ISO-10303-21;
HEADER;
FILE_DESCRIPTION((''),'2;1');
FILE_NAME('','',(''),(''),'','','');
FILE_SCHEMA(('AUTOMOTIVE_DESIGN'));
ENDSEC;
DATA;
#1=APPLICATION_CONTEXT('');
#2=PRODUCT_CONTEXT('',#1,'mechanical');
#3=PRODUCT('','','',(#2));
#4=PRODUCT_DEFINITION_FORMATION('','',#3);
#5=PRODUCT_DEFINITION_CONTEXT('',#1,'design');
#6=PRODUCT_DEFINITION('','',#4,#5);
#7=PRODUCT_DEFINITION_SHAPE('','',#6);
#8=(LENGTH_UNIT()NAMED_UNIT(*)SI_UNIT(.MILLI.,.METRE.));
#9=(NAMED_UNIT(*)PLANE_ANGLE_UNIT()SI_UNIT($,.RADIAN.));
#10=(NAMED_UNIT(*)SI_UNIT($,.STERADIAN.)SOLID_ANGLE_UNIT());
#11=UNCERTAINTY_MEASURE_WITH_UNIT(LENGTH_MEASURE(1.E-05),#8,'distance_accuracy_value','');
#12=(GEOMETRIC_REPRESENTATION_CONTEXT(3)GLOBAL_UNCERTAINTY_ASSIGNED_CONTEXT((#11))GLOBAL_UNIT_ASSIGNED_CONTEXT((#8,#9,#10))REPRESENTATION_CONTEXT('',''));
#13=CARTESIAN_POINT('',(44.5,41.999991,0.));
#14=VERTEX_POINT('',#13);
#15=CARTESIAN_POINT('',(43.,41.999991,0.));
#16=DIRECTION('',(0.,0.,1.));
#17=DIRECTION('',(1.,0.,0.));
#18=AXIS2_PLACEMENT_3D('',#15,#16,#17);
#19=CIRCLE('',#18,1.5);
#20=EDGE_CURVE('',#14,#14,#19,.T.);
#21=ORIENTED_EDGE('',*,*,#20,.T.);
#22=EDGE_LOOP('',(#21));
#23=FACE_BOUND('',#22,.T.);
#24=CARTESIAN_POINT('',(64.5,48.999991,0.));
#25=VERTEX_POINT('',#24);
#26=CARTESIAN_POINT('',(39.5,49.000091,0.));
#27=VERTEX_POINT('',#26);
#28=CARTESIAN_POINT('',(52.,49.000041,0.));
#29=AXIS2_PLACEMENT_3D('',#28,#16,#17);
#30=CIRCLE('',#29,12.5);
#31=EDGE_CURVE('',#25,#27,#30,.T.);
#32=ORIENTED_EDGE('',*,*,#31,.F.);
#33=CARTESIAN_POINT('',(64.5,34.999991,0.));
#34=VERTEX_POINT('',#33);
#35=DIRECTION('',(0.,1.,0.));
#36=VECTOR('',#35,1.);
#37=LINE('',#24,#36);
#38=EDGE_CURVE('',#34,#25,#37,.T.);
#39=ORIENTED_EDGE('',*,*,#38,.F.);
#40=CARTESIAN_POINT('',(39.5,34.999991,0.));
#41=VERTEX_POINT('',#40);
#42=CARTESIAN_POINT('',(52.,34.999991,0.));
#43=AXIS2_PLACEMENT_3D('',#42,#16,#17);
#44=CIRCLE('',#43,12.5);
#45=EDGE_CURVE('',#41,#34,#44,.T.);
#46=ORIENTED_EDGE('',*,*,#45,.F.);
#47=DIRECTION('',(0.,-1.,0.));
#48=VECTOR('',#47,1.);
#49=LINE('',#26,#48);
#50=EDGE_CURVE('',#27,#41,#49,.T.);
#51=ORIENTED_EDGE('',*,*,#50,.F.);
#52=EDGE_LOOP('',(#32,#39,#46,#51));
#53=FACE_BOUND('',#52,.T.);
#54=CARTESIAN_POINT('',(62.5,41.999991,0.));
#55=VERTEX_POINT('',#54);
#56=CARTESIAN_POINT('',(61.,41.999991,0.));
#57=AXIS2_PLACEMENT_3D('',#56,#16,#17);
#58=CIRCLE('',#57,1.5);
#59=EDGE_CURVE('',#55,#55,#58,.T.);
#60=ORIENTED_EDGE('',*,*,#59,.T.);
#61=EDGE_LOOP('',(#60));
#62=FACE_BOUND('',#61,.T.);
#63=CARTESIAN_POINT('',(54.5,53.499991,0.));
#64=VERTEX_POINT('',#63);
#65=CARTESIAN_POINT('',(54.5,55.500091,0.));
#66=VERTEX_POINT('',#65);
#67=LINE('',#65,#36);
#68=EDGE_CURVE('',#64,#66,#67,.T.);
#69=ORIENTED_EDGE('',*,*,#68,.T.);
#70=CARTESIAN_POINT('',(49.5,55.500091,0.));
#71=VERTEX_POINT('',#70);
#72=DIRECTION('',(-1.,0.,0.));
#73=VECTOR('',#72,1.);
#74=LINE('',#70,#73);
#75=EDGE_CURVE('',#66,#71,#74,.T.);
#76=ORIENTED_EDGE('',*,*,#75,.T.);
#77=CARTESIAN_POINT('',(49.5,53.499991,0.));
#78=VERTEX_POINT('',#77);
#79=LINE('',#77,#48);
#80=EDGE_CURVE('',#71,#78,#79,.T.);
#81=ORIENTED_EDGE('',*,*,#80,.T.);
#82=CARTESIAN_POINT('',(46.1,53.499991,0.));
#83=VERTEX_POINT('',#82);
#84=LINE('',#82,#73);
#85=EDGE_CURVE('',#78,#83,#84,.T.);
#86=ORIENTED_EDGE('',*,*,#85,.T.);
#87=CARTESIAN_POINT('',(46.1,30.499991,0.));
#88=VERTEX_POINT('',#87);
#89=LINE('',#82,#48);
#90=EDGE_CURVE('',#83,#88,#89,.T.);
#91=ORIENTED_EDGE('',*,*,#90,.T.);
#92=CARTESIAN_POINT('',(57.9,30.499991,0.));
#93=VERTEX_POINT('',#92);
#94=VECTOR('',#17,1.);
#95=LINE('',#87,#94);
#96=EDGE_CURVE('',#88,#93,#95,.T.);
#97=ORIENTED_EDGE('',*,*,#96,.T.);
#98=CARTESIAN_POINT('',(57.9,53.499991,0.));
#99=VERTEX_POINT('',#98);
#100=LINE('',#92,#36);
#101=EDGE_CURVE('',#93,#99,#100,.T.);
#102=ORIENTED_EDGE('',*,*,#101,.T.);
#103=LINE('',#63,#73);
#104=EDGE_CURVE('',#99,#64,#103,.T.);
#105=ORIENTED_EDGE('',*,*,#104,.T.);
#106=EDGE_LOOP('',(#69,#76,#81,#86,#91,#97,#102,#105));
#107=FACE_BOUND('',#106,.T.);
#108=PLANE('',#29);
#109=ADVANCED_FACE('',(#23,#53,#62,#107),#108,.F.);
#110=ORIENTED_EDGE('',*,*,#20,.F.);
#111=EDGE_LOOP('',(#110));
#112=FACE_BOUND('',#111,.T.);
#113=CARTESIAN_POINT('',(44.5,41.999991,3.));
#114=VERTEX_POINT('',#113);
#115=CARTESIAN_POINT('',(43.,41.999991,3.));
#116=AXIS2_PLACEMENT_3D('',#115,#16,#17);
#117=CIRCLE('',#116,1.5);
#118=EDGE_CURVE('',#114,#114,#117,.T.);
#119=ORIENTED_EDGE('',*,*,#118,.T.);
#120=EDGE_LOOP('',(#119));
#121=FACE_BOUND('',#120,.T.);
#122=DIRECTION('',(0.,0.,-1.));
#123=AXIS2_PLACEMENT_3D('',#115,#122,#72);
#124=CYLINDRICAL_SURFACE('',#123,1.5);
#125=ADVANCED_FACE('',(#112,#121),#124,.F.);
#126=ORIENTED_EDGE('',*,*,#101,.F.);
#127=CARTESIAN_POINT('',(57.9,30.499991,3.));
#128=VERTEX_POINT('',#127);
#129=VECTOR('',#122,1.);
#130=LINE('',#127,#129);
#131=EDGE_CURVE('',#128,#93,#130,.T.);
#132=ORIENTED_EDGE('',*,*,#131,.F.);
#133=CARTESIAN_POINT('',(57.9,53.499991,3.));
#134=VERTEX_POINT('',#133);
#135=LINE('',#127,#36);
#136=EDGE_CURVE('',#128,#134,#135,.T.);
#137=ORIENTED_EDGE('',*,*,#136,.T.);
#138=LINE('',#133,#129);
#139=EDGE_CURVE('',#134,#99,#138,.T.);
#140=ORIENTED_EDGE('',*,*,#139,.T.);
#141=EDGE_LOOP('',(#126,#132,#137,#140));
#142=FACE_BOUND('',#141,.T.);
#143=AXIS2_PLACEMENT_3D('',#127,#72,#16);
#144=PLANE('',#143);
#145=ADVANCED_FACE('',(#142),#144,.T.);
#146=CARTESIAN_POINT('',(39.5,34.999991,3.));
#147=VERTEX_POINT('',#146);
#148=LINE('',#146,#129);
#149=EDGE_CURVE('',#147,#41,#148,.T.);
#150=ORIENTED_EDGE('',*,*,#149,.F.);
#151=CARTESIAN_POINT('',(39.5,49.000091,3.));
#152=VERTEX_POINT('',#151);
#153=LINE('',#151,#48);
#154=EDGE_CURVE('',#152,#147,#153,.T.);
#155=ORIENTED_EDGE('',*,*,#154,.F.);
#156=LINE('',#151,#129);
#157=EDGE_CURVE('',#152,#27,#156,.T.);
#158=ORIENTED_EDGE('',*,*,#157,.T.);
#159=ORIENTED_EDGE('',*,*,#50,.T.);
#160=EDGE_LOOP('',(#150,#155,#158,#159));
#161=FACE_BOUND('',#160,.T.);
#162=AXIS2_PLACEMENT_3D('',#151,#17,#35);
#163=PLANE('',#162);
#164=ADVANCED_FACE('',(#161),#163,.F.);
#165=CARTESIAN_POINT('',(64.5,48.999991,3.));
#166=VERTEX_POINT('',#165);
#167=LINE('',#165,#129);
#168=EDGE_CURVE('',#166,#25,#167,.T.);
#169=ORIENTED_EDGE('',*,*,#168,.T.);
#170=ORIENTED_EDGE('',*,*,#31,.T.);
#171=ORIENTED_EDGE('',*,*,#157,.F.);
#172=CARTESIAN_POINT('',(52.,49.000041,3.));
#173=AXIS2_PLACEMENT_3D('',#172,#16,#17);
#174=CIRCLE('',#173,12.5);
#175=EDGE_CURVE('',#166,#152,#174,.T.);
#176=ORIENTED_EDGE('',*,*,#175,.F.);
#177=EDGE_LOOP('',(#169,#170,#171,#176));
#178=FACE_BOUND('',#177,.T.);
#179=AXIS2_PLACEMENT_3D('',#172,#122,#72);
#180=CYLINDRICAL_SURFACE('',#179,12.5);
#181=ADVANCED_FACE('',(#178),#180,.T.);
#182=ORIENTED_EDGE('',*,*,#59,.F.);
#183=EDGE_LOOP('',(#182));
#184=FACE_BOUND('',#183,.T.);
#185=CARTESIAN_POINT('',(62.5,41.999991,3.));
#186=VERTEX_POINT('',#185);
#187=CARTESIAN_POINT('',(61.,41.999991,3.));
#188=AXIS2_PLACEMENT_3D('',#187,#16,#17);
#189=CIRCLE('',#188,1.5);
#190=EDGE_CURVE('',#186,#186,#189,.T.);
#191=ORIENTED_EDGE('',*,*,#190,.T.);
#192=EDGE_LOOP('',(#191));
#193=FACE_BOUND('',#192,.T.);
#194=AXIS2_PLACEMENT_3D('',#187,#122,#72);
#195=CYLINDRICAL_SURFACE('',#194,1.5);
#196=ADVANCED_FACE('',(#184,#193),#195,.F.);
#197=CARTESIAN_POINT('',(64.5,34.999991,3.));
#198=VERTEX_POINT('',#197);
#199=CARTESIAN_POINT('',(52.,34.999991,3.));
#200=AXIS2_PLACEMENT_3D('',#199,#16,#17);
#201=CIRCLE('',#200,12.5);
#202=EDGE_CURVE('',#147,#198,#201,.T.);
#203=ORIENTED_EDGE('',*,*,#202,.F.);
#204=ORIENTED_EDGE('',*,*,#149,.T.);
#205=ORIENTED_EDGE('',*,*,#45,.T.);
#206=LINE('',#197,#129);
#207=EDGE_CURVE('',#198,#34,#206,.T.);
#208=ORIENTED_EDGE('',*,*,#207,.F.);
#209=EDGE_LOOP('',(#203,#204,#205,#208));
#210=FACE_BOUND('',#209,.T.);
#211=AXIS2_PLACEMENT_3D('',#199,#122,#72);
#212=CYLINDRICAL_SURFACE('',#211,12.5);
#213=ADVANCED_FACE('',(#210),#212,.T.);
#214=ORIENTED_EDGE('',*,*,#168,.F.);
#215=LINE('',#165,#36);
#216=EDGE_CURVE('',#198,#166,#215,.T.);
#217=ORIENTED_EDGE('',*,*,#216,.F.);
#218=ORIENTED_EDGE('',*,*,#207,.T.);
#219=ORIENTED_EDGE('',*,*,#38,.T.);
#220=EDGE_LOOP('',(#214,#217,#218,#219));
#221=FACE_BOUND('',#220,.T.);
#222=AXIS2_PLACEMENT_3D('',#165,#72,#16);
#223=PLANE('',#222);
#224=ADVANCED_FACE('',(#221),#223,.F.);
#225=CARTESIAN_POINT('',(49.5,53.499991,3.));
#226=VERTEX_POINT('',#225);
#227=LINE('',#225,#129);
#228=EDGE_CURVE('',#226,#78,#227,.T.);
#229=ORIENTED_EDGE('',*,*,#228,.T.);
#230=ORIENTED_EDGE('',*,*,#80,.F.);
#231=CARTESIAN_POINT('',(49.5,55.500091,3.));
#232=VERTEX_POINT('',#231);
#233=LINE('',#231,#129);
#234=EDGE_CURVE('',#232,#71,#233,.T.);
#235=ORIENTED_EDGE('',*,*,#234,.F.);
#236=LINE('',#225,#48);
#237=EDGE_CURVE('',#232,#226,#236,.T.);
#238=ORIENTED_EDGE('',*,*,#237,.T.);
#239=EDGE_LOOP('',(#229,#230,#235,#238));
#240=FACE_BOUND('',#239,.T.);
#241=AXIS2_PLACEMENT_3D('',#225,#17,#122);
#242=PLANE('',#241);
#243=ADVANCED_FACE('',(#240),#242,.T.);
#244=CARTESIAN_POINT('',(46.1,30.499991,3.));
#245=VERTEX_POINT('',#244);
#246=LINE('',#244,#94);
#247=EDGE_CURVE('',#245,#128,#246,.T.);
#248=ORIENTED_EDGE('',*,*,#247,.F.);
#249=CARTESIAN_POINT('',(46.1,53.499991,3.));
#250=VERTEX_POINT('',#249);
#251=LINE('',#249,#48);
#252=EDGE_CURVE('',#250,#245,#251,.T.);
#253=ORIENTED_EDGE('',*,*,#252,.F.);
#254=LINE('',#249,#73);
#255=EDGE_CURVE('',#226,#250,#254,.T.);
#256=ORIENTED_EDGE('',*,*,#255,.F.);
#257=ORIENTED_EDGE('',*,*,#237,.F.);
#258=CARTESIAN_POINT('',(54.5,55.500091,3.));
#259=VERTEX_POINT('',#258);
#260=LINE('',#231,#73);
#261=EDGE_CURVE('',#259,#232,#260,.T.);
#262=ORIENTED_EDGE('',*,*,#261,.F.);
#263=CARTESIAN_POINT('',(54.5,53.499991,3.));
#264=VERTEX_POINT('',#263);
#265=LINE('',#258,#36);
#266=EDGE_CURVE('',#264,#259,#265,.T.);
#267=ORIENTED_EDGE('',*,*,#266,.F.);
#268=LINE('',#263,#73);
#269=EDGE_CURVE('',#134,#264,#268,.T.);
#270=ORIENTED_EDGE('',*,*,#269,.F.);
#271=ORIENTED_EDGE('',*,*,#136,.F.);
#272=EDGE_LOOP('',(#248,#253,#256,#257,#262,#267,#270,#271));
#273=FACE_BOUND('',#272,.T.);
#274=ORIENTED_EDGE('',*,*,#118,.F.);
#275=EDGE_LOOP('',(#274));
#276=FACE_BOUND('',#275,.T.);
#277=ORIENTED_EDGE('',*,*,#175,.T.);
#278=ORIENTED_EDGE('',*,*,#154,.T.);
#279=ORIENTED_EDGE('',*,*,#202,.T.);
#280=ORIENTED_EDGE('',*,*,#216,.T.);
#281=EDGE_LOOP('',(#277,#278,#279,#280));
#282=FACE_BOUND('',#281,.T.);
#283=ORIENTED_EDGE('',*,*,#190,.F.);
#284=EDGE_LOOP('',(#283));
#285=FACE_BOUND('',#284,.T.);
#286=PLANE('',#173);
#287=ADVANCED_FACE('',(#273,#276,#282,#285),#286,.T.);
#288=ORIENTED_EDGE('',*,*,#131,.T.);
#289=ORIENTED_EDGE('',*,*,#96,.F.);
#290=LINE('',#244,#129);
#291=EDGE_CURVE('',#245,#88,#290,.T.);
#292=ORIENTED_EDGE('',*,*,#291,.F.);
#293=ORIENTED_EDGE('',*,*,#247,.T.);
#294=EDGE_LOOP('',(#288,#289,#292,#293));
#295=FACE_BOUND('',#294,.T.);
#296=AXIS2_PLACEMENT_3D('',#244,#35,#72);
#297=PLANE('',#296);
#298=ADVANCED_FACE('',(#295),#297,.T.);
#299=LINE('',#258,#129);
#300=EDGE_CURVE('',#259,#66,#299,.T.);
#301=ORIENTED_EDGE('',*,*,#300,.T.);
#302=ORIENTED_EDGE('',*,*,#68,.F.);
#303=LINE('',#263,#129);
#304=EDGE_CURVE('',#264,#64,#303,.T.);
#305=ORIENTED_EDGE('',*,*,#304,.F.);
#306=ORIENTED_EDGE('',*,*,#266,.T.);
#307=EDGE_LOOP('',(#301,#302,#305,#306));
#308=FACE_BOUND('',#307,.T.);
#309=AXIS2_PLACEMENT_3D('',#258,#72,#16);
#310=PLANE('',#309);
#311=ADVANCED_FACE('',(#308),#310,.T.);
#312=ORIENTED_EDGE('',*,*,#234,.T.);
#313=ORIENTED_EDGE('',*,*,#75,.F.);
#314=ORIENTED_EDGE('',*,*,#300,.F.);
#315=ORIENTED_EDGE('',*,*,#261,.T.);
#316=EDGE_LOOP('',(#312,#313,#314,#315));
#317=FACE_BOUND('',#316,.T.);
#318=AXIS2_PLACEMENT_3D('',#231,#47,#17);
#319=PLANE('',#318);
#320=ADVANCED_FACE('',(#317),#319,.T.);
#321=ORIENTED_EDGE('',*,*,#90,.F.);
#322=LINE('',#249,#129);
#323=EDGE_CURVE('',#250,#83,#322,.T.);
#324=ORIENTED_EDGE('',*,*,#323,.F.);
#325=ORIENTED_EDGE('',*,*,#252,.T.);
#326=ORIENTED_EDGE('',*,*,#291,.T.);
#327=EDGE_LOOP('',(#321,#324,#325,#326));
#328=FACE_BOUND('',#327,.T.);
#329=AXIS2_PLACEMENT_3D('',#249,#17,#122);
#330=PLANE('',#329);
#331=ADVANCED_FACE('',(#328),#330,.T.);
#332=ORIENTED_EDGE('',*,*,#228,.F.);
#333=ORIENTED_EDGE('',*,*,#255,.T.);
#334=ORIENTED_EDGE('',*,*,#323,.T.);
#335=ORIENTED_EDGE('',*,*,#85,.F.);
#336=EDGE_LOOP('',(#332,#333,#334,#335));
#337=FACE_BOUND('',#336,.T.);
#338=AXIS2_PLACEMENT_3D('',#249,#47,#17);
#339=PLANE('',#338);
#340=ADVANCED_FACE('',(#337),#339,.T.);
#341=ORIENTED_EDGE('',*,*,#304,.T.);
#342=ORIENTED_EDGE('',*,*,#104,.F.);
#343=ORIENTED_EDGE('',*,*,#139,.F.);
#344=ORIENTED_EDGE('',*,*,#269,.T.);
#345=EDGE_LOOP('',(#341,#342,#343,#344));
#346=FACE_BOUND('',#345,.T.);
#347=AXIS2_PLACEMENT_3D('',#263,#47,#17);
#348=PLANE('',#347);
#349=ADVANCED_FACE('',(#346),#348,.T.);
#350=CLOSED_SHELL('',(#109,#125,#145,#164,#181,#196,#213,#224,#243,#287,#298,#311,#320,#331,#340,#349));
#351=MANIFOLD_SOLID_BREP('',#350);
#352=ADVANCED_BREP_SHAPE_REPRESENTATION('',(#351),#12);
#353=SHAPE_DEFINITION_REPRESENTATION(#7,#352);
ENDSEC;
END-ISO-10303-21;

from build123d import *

# Parameters (mm, degrees)
MODEL_R             = 1.500000002
BOSS_EXTRUDE1_DEPTH = 3


with BuildPart() as part:
    # Model → Boss-Extrude1 (new body)
    with BuildSketch(Plane.XY):
        with BuildLine():
            Line((64.5, 48.999991226), (64.5, 34.999991225))
            ThreePointArc((64.5, 34.999991225), (52, 22.499991225), (39.5, 34.999991225))
            Line((39.5, 34.999991225), (39.5, 49.000091226))
            ThreePointArc((39.5, 49.000091226), (52.00005, 61.500041226), (64.5, 48.999991226))
        make_face()
        with Locations((42.999999998, 41.999991225)):
            Circle(MODEL_R, mode=Mode.SUBTRACT)
        with Locations((60.999999998, 41.999991225)):
            Circle(MODEL_R, mode=Mode.SUBTRACT)
        Polygon((54.5, 55.500091226), (54.5, 53.499991226), (57.9, 53.499991226), (57.9, 30.499991226), (46.1, 30.499991226), (46.1, 53.499991226), (49.5, 53.499991226), (49.5, 55.500091226), align=None, mode=Mode.SUBTRACT)
    extrude(amount=BOSS_EXTRUDE1_DEPTH)


solid = part.part
